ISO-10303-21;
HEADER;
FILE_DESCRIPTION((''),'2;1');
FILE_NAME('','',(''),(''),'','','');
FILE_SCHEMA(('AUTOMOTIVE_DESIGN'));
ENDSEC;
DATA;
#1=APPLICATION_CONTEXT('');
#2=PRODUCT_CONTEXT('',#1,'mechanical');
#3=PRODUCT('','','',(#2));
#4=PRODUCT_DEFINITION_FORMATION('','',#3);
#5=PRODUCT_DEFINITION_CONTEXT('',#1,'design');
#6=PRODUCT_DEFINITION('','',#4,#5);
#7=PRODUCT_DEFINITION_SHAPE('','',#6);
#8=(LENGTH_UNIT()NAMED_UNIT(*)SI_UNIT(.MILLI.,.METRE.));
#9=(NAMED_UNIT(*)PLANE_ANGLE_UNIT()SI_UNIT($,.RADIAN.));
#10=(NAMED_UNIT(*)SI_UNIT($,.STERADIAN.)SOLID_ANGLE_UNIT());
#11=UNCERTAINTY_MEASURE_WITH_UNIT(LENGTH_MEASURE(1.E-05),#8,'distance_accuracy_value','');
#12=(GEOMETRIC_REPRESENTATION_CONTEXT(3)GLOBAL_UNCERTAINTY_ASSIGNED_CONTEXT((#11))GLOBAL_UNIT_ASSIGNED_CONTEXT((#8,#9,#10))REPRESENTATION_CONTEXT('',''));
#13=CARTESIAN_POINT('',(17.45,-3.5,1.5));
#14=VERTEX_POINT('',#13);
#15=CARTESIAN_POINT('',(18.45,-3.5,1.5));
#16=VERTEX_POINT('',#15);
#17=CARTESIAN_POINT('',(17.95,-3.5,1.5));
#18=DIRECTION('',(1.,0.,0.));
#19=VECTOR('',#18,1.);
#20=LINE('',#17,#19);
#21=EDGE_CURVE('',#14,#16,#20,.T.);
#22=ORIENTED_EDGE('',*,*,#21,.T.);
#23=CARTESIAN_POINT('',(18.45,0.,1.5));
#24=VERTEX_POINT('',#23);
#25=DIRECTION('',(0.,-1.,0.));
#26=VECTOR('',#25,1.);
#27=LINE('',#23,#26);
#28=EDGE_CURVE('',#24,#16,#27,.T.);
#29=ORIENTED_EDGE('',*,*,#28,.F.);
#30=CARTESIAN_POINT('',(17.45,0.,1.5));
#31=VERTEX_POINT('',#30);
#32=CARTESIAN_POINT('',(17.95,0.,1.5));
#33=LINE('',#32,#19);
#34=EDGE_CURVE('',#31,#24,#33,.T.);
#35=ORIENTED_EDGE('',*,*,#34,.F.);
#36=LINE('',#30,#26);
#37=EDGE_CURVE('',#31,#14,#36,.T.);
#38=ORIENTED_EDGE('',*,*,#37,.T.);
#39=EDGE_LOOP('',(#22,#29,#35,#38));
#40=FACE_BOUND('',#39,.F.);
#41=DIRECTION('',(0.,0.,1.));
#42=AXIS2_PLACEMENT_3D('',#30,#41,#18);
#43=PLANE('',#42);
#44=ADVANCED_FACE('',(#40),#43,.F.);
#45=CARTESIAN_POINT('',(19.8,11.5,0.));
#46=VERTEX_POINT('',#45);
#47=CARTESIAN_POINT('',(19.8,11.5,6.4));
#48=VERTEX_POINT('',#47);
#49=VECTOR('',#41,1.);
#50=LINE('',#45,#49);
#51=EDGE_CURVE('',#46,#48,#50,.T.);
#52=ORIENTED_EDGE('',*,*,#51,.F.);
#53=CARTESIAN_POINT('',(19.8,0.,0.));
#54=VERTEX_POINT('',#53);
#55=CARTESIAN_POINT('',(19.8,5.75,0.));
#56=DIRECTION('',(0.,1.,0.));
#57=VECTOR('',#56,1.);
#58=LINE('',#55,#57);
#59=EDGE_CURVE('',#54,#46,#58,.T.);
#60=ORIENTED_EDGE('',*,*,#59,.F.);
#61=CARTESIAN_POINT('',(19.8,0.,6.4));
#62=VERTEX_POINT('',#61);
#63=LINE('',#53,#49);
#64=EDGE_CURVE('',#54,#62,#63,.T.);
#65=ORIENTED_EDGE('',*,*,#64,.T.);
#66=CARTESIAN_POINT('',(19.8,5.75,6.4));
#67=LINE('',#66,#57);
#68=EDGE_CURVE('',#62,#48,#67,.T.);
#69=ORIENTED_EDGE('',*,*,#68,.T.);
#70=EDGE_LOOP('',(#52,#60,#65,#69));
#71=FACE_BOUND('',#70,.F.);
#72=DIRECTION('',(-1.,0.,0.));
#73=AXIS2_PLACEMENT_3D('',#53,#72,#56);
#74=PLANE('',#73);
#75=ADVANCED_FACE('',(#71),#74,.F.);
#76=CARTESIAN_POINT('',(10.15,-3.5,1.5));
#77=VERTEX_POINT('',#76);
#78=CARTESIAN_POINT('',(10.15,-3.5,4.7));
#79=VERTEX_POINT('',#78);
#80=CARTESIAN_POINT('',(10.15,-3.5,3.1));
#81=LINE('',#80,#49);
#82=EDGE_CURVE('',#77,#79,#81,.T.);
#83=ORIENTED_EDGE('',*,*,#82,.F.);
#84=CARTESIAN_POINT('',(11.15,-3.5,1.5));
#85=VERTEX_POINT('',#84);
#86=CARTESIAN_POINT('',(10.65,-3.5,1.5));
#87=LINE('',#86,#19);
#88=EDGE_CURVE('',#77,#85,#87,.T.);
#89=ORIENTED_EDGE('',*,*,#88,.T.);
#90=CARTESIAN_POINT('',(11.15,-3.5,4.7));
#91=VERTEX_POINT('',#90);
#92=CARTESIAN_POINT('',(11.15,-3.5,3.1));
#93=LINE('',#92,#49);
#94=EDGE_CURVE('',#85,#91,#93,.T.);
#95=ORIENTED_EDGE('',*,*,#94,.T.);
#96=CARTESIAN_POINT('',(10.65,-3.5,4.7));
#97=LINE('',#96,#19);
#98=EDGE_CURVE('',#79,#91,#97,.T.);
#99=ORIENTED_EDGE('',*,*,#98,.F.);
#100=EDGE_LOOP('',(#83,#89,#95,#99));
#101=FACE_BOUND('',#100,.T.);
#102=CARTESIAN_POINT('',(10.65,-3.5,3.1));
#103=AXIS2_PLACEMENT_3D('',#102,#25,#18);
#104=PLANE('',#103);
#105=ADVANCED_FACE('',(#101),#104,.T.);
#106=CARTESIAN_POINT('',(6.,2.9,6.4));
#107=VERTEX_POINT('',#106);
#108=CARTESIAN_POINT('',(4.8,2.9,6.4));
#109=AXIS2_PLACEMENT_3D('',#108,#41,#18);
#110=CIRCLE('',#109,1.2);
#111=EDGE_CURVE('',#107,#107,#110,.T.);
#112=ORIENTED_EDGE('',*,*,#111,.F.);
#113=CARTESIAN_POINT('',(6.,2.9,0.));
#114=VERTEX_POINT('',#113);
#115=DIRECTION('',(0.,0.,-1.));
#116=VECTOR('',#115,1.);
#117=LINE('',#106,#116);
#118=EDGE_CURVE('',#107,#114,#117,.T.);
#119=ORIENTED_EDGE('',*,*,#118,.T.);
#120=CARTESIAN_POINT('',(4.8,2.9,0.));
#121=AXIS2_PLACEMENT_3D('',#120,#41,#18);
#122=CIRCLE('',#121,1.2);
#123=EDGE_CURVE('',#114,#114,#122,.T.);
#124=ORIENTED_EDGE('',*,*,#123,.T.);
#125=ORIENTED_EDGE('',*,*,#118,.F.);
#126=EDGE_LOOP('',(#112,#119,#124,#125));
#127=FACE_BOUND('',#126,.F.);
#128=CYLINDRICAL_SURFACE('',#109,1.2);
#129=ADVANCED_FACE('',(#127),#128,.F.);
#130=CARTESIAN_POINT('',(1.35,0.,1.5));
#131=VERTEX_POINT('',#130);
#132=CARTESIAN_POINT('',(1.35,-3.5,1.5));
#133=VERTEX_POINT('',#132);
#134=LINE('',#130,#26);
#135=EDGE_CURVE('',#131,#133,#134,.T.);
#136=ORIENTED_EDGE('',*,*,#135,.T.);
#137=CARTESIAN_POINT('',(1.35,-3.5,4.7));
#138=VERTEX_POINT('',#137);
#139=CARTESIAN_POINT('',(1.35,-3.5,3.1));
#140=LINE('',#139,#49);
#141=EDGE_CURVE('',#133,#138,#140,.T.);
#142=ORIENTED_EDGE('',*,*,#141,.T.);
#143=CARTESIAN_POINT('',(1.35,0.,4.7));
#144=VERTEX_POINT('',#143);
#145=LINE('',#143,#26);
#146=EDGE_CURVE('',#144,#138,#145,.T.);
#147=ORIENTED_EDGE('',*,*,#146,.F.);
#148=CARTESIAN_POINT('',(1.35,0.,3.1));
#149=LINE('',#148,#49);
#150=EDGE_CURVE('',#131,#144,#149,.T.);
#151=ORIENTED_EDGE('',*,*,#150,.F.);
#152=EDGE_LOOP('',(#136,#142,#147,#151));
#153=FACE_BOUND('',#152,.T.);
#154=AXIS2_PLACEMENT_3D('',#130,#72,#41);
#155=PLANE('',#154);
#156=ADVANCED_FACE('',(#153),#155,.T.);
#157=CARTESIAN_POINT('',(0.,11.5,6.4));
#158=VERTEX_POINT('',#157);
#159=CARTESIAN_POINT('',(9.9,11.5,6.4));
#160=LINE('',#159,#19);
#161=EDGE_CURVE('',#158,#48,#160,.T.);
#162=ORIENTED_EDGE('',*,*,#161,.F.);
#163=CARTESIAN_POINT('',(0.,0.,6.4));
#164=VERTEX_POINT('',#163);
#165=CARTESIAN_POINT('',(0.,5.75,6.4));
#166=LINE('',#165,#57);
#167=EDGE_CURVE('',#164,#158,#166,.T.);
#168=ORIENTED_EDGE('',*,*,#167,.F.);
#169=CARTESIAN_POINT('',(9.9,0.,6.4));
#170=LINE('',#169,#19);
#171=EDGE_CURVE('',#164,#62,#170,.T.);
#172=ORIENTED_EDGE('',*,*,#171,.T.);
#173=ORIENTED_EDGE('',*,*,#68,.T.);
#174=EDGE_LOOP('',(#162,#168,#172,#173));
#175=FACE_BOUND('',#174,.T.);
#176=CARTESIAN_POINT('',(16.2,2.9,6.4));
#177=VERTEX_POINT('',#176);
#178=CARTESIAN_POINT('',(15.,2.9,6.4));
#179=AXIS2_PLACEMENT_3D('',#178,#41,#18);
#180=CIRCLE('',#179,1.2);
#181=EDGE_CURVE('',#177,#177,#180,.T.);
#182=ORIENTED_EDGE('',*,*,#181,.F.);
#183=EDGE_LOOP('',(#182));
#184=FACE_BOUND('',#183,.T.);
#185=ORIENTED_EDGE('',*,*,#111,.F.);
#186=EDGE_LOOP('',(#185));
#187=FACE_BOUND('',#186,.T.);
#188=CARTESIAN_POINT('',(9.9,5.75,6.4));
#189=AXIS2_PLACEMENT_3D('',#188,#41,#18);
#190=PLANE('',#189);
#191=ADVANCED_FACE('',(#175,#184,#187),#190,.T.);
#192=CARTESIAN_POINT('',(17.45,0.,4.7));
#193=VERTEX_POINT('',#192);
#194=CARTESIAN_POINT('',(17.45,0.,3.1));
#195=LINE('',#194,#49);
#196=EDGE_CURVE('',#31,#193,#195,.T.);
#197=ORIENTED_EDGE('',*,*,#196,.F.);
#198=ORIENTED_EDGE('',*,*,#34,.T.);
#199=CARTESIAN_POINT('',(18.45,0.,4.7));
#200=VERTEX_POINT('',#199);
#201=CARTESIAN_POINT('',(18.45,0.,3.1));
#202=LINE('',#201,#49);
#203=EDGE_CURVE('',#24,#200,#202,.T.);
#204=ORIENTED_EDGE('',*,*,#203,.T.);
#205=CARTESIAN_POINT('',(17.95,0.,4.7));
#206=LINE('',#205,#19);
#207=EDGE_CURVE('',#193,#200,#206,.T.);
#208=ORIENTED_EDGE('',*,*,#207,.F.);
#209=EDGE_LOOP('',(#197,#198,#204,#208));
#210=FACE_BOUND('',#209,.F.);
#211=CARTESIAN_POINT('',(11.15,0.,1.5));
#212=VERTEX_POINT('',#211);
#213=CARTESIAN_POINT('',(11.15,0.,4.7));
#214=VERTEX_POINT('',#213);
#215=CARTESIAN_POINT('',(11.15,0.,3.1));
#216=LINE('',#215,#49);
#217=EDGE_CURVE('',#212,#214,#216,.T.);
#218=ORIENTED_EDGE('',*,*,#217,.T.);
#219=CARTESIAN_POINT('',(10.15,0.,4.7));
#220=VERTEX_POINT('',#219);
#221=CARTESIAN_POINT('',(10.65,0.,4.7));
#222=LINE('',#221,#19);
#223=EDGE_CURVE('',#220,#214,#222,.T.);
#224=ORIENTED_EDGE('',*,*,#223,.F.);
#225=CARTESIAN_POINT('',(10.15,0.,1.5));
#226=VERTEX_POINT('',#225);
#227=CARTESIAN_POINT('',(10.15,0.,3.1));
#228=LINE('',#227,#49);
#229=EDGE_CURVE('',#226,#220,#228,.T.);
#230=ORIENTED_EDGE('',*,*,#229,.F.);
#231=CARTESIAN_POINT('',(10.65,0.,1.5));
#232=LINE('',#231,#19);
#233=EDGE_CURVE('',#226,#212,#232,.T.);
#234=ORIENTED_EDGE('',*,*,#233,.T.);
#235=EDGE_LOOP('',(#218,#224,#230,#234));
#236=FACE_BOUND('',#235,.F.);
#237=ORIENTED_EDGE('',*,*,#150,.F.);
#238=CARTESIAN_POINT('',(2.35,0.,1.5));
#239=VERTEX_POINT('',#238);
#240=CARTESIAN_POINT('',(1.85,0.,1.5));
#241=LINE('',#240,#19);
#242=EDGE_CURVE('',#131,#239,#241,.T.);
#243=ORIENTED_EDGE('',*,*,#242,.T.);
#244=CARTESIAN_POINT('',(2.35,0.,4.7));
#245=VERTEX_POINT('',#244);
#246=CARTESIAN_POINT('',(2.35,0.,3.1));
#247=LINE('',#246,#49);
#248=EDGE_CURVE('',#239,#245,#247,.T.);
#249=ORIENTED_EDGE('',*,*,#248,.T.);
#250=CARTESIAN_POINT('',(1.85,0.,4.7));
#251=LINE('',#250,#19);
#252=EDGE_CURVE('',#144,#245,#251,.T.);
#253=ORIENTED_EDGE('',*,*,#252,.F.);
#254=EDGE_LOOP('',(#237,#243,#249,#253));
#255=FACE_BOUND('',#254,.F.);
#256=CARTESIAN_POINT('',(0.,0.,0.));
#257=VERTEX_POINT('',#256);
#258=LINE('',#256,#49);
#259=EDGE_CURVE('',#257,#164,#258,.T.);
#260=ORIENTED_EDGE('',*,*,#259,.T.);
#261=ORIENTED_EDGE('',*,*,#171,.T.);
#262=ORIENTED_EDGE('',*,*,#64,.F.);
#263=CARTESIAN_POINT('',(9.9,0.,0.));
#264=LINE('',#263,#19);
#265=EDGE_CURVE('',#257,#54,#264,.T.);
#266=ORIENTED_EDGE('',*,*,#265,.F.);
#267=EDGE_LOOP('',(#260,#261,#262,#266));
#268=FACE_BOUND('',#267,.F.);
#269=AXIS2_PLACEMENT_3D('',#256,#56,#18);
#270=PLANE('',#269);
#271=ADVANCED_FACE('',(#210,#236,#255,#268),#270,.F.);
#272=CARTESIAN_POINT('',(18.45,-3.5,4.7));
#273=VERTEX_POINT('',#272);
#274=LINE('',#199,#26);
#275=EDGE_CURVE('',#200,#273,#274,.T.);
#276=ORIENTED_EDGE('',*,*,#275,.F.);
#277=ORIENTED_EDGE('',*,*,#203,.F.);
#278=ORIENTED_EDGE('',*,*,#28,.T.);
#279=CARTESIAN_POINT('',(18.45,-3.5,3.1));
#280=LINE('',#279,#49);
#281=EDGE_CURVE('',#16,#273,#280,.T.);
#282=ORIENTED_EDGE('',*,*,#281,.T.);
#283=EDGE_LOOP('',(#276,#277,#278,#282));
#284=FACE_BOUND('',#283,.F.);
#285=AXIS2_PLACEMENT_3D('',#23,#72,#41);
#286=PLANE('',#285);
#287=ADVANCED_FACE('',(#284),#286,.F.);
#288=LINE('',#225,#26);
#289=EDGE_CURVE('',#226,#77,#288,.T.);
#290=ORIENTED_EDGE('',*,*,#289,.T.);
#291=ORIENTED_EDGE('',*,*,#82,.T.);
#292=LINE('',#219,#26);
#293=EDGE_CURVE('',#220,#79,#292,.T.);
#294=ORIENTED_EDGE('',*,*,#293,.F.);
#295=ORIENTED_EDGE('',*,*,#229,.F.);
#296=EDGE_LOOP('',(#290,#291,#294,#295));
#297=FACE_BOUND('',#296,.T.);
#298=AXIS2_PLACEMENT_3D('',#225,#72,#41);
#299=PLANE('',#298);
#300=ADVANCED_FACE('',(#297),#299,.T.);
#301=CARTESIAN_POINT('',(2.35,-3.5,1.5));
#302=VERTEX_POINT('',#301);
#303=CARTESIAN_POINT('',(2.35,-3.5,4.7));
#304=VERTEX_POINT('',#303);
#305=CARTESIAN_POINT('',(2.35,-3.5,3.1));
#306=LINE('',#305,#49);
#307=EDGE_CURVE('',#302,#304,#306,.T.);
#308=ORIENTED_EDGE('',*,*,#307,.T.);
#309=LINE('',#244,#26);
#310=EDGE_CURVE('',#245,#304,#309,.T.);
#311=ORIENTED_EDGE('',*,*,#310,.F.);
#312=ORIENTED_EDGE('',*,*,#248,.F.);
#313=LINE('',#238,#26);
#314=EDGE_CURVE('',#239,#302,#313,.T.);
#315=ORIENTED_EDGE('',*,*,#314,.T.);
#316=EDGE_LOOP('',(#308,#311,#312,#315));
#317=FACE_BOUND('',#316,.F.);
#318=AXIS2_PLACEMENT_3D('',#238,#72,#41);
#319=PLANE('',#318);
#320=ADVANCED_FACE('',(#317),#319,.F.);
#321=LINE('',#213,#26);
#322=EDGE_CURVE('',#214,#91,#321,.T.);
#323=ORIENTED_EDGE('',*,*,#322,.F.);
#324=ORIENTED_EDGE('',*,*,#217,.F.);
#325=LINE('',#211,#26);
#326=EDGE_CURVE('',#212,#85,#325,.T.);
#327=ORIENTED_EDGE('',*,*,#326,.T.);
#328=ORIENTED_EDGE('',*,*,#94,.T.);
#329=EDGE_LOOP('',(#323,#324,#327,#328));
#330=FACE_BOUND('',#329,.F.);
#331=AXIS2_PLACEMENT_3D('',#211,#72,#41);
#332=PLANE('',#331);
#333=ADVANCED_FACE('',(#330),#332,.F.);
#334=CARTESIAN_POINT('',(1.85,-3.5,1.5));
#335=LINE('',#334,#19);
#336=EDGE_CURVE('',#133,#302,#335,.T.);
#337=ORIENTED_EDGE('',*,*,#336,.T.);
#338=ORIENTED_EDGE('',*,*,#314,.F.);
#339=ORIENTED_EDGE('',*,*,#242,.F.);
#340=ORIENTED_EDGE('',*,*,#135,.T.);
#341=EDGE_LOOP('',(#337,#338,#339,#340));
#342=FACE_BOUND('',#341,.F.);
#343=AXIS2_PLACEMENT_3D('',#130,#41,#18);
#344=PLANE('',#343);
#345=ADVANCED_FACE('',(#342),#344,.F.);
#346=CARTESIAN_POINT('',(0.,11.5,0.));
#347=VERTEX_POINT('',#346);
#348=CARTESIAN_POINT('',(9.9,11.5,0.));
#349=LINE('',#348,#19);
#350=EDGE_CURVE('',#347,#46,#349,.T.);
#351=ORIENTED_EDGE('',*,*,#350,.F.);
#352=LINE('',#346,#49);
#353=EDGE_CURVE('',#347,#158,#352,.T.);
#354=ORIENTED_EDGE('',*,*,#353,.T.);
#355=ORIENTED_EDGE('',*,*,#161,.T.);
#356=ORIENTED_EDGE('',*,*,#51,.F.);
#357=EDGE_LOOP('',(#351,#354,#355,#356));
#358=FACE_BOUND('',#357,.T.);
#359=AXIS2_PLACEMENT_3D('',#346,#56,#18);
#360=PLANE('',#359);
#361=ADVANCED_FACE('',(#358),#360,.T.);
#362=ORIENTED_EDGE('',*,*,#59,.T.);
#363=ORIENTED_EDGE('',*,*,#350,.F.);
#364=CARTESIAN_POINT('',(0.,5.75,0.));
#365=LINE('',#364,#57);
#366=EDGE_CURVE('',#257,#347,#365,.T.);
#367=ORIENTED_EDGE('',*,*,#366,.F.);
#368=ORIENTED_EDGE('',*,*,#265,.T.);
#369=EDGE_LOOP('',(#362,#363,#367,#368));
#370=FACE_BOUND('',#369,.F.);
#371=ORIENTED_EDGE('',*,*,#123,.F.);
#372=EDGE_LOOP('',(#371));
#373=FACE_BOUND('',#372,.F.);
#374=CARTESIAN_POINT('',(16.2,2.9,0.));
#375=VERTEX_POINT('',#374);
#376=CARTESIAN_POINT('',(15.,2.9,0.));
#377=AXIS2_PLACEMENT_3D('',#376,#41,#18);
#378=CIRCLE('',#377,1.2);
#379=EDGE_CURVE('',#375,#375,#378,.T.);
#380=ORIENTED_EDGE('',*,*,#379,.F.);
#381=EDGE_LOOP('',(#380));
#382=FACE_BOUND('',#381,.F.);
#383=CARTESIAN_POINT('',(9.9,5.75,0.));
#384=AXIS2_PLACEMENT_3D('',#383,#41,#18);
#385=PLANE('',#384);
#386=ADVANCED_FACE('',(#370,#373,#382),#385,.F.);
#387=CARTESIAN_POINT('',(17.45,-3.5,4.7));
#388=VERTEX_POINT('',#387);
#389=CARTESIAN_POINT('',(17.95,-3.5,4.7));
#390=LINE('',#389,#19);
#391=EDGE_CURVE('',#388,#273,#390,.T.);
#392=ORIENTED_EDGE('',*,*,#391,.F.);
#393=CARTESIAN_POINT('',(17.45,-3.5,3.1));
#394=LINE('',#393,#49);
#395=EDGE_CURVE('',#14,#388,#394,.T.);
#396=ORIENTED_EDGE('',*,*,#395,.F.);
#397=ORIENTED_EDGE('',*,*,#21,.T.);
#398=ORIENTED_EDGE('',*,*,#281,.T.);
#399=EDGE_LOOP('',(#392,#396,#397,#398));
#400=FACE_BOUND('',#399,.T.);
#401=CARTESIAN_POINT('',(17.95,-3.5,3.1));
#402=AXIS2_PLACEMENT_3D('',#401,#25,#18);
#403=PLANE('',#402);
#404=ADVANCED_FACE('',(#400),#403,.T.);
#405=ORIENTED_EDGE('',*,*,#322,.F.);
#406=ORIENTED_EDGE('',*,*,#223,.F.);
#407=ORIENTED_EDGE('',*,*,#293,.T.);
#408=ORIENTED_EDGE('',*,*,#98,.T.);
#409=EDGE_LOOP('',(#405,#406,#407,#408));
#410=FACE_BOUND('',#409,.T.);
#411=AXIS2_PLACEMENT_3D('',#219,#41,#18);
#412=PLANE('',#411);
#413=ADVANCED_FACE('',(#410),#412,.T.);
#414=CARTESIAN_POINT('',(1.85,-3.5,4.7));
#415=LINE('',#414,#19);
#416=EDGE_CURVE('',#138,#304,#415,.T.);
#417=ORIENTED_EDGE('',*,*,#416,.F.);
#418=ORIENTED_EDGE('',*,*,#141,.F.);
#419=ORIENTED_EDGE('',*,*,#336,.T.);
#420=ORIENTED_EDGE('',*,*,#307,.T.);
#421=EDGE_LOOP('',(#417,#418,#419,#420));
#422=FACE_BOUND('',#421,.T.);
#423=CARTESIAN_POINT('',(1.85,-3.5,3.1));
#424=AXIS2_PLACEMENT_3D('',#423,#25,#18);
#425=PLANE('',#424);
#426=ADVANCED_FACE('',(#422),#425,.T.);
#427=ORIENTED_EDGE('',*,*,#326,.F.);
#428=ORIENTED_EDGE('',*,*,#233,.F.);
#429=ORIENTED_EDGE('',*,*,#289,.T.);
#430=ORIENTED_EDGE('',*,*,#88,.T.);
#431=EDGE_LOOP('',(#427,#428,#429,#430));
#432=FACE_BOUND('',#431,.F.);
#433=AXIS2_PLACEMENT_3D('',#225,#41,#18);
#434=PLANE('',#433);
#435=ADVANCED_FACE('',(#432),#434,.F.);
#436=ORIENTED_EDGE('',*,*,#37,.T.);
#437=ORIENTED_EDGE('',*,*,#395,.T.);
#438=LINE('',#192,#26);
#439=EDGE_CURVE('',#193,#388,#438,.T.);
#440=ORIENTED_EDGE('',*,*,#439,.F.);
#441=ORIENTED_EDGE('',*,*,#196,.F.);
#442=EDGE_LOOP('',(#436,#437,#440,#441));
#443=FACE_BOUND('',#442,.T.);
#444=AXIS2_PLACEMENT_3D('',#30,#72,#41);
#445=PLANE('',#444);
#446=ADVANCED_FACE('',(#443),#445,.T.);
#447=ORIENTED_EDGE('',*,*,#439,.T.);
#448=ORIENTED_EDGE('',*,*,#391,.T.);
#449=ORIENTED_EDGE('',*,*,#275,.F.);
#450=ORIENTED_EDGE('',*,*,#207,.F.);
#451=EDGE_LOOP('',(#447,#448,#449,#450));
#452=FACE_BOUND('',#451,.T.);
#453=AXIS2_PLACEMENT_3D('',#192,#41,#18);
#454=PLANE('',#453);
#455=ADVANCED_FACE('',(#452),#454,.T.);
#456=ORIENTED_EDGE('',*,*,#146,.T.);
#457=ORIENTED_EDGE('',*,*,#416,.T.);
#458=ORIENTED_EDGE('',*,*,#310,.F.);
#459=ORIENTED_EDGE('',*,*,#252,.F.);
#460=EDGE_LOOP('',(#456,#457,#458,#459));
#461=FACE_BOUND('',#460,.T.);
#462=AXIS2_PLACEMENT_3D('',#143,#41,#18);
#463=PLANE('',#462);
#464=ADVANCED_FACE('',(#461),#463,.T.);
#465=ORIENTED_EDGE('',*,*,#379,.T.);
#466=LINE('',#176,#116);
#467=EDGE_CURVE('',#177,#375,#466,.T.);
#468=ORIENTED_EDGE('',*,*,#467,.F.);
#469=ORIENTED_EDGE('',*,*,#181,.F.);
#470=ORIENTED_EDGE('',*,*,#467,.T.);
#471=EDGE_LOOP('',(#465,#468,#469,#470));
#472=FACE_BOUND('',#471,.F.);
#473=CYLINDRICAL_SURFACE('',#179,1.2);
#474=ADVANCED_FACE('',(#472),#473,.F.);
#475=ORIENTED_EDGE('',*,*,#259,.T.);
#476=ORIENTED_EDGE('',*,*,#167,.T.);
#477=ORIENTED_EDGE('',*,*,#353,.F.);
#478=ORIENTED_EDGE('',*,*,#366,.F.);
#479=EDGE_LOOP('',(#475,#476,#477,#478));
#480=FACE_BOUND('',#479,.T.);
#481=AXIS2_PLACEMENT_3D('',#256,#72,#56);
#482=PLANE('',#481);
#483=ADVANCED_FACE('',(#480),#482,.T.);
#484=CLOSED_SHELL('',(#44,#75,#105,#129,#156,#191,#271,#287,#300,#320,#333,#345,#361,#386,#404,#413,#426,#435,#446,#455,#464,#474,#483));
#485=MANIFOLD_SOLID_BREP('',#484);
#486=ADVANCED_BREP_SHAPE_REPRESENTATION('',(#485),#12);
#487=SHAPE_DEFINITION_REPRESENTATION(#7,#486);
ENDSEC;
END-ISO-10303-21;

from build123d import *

# Parameters (mm, degrees)
SKETCH_W     = 19.8
SKETCH_H     = 11.5
PAD_DEPTH    = 6.4
SKETCH001_R  = 1.2
POCKET_DEPTH = 6.401
SKETCH002_W  = 1
SKETCH002_H  = 3.2
PAD001_DEPTH = 3.5


with BuildPart() as part:
    # Sketch → Pad (new body)
    with BuildSketch(Plane.XY):
        with Locations((9.9, 5.75)):
            Rectangle(SKETCH_W, SKETCH_H)
    extrude(amount=PAD_DEPTH)

    # Sketch001 → Pocket (cut, through all)
    with BuildSketch(Plane.XY.offset(6.4)):
        with Locations((4.8, 2.9)):
            Circle(SKETCH001_R)
        with Locations((15, 2.9)):
            Circle(SKETCH001_R)
    extrude(amount=-POCKET_DEPTH, mode=Mode.SUBTRACT)

    # Sketch002 → Pad001 (new body)
    with BuildSketch(Plane.XZ):
        with Locations((1.85, 3.1)):
            Rectangle(SKETCH002_W, SKETCH002_H)
        with Locations((10.65, 3.1)):
            Rectangle(SKETCH002_W, SKETCH002_H)
        with Locations((17.95, 3.1)):
            Rectangle(SKETCH002_W, SKETCH002_H)
    extrude(amount=PAD001_DEPTH)


solid = part.part
